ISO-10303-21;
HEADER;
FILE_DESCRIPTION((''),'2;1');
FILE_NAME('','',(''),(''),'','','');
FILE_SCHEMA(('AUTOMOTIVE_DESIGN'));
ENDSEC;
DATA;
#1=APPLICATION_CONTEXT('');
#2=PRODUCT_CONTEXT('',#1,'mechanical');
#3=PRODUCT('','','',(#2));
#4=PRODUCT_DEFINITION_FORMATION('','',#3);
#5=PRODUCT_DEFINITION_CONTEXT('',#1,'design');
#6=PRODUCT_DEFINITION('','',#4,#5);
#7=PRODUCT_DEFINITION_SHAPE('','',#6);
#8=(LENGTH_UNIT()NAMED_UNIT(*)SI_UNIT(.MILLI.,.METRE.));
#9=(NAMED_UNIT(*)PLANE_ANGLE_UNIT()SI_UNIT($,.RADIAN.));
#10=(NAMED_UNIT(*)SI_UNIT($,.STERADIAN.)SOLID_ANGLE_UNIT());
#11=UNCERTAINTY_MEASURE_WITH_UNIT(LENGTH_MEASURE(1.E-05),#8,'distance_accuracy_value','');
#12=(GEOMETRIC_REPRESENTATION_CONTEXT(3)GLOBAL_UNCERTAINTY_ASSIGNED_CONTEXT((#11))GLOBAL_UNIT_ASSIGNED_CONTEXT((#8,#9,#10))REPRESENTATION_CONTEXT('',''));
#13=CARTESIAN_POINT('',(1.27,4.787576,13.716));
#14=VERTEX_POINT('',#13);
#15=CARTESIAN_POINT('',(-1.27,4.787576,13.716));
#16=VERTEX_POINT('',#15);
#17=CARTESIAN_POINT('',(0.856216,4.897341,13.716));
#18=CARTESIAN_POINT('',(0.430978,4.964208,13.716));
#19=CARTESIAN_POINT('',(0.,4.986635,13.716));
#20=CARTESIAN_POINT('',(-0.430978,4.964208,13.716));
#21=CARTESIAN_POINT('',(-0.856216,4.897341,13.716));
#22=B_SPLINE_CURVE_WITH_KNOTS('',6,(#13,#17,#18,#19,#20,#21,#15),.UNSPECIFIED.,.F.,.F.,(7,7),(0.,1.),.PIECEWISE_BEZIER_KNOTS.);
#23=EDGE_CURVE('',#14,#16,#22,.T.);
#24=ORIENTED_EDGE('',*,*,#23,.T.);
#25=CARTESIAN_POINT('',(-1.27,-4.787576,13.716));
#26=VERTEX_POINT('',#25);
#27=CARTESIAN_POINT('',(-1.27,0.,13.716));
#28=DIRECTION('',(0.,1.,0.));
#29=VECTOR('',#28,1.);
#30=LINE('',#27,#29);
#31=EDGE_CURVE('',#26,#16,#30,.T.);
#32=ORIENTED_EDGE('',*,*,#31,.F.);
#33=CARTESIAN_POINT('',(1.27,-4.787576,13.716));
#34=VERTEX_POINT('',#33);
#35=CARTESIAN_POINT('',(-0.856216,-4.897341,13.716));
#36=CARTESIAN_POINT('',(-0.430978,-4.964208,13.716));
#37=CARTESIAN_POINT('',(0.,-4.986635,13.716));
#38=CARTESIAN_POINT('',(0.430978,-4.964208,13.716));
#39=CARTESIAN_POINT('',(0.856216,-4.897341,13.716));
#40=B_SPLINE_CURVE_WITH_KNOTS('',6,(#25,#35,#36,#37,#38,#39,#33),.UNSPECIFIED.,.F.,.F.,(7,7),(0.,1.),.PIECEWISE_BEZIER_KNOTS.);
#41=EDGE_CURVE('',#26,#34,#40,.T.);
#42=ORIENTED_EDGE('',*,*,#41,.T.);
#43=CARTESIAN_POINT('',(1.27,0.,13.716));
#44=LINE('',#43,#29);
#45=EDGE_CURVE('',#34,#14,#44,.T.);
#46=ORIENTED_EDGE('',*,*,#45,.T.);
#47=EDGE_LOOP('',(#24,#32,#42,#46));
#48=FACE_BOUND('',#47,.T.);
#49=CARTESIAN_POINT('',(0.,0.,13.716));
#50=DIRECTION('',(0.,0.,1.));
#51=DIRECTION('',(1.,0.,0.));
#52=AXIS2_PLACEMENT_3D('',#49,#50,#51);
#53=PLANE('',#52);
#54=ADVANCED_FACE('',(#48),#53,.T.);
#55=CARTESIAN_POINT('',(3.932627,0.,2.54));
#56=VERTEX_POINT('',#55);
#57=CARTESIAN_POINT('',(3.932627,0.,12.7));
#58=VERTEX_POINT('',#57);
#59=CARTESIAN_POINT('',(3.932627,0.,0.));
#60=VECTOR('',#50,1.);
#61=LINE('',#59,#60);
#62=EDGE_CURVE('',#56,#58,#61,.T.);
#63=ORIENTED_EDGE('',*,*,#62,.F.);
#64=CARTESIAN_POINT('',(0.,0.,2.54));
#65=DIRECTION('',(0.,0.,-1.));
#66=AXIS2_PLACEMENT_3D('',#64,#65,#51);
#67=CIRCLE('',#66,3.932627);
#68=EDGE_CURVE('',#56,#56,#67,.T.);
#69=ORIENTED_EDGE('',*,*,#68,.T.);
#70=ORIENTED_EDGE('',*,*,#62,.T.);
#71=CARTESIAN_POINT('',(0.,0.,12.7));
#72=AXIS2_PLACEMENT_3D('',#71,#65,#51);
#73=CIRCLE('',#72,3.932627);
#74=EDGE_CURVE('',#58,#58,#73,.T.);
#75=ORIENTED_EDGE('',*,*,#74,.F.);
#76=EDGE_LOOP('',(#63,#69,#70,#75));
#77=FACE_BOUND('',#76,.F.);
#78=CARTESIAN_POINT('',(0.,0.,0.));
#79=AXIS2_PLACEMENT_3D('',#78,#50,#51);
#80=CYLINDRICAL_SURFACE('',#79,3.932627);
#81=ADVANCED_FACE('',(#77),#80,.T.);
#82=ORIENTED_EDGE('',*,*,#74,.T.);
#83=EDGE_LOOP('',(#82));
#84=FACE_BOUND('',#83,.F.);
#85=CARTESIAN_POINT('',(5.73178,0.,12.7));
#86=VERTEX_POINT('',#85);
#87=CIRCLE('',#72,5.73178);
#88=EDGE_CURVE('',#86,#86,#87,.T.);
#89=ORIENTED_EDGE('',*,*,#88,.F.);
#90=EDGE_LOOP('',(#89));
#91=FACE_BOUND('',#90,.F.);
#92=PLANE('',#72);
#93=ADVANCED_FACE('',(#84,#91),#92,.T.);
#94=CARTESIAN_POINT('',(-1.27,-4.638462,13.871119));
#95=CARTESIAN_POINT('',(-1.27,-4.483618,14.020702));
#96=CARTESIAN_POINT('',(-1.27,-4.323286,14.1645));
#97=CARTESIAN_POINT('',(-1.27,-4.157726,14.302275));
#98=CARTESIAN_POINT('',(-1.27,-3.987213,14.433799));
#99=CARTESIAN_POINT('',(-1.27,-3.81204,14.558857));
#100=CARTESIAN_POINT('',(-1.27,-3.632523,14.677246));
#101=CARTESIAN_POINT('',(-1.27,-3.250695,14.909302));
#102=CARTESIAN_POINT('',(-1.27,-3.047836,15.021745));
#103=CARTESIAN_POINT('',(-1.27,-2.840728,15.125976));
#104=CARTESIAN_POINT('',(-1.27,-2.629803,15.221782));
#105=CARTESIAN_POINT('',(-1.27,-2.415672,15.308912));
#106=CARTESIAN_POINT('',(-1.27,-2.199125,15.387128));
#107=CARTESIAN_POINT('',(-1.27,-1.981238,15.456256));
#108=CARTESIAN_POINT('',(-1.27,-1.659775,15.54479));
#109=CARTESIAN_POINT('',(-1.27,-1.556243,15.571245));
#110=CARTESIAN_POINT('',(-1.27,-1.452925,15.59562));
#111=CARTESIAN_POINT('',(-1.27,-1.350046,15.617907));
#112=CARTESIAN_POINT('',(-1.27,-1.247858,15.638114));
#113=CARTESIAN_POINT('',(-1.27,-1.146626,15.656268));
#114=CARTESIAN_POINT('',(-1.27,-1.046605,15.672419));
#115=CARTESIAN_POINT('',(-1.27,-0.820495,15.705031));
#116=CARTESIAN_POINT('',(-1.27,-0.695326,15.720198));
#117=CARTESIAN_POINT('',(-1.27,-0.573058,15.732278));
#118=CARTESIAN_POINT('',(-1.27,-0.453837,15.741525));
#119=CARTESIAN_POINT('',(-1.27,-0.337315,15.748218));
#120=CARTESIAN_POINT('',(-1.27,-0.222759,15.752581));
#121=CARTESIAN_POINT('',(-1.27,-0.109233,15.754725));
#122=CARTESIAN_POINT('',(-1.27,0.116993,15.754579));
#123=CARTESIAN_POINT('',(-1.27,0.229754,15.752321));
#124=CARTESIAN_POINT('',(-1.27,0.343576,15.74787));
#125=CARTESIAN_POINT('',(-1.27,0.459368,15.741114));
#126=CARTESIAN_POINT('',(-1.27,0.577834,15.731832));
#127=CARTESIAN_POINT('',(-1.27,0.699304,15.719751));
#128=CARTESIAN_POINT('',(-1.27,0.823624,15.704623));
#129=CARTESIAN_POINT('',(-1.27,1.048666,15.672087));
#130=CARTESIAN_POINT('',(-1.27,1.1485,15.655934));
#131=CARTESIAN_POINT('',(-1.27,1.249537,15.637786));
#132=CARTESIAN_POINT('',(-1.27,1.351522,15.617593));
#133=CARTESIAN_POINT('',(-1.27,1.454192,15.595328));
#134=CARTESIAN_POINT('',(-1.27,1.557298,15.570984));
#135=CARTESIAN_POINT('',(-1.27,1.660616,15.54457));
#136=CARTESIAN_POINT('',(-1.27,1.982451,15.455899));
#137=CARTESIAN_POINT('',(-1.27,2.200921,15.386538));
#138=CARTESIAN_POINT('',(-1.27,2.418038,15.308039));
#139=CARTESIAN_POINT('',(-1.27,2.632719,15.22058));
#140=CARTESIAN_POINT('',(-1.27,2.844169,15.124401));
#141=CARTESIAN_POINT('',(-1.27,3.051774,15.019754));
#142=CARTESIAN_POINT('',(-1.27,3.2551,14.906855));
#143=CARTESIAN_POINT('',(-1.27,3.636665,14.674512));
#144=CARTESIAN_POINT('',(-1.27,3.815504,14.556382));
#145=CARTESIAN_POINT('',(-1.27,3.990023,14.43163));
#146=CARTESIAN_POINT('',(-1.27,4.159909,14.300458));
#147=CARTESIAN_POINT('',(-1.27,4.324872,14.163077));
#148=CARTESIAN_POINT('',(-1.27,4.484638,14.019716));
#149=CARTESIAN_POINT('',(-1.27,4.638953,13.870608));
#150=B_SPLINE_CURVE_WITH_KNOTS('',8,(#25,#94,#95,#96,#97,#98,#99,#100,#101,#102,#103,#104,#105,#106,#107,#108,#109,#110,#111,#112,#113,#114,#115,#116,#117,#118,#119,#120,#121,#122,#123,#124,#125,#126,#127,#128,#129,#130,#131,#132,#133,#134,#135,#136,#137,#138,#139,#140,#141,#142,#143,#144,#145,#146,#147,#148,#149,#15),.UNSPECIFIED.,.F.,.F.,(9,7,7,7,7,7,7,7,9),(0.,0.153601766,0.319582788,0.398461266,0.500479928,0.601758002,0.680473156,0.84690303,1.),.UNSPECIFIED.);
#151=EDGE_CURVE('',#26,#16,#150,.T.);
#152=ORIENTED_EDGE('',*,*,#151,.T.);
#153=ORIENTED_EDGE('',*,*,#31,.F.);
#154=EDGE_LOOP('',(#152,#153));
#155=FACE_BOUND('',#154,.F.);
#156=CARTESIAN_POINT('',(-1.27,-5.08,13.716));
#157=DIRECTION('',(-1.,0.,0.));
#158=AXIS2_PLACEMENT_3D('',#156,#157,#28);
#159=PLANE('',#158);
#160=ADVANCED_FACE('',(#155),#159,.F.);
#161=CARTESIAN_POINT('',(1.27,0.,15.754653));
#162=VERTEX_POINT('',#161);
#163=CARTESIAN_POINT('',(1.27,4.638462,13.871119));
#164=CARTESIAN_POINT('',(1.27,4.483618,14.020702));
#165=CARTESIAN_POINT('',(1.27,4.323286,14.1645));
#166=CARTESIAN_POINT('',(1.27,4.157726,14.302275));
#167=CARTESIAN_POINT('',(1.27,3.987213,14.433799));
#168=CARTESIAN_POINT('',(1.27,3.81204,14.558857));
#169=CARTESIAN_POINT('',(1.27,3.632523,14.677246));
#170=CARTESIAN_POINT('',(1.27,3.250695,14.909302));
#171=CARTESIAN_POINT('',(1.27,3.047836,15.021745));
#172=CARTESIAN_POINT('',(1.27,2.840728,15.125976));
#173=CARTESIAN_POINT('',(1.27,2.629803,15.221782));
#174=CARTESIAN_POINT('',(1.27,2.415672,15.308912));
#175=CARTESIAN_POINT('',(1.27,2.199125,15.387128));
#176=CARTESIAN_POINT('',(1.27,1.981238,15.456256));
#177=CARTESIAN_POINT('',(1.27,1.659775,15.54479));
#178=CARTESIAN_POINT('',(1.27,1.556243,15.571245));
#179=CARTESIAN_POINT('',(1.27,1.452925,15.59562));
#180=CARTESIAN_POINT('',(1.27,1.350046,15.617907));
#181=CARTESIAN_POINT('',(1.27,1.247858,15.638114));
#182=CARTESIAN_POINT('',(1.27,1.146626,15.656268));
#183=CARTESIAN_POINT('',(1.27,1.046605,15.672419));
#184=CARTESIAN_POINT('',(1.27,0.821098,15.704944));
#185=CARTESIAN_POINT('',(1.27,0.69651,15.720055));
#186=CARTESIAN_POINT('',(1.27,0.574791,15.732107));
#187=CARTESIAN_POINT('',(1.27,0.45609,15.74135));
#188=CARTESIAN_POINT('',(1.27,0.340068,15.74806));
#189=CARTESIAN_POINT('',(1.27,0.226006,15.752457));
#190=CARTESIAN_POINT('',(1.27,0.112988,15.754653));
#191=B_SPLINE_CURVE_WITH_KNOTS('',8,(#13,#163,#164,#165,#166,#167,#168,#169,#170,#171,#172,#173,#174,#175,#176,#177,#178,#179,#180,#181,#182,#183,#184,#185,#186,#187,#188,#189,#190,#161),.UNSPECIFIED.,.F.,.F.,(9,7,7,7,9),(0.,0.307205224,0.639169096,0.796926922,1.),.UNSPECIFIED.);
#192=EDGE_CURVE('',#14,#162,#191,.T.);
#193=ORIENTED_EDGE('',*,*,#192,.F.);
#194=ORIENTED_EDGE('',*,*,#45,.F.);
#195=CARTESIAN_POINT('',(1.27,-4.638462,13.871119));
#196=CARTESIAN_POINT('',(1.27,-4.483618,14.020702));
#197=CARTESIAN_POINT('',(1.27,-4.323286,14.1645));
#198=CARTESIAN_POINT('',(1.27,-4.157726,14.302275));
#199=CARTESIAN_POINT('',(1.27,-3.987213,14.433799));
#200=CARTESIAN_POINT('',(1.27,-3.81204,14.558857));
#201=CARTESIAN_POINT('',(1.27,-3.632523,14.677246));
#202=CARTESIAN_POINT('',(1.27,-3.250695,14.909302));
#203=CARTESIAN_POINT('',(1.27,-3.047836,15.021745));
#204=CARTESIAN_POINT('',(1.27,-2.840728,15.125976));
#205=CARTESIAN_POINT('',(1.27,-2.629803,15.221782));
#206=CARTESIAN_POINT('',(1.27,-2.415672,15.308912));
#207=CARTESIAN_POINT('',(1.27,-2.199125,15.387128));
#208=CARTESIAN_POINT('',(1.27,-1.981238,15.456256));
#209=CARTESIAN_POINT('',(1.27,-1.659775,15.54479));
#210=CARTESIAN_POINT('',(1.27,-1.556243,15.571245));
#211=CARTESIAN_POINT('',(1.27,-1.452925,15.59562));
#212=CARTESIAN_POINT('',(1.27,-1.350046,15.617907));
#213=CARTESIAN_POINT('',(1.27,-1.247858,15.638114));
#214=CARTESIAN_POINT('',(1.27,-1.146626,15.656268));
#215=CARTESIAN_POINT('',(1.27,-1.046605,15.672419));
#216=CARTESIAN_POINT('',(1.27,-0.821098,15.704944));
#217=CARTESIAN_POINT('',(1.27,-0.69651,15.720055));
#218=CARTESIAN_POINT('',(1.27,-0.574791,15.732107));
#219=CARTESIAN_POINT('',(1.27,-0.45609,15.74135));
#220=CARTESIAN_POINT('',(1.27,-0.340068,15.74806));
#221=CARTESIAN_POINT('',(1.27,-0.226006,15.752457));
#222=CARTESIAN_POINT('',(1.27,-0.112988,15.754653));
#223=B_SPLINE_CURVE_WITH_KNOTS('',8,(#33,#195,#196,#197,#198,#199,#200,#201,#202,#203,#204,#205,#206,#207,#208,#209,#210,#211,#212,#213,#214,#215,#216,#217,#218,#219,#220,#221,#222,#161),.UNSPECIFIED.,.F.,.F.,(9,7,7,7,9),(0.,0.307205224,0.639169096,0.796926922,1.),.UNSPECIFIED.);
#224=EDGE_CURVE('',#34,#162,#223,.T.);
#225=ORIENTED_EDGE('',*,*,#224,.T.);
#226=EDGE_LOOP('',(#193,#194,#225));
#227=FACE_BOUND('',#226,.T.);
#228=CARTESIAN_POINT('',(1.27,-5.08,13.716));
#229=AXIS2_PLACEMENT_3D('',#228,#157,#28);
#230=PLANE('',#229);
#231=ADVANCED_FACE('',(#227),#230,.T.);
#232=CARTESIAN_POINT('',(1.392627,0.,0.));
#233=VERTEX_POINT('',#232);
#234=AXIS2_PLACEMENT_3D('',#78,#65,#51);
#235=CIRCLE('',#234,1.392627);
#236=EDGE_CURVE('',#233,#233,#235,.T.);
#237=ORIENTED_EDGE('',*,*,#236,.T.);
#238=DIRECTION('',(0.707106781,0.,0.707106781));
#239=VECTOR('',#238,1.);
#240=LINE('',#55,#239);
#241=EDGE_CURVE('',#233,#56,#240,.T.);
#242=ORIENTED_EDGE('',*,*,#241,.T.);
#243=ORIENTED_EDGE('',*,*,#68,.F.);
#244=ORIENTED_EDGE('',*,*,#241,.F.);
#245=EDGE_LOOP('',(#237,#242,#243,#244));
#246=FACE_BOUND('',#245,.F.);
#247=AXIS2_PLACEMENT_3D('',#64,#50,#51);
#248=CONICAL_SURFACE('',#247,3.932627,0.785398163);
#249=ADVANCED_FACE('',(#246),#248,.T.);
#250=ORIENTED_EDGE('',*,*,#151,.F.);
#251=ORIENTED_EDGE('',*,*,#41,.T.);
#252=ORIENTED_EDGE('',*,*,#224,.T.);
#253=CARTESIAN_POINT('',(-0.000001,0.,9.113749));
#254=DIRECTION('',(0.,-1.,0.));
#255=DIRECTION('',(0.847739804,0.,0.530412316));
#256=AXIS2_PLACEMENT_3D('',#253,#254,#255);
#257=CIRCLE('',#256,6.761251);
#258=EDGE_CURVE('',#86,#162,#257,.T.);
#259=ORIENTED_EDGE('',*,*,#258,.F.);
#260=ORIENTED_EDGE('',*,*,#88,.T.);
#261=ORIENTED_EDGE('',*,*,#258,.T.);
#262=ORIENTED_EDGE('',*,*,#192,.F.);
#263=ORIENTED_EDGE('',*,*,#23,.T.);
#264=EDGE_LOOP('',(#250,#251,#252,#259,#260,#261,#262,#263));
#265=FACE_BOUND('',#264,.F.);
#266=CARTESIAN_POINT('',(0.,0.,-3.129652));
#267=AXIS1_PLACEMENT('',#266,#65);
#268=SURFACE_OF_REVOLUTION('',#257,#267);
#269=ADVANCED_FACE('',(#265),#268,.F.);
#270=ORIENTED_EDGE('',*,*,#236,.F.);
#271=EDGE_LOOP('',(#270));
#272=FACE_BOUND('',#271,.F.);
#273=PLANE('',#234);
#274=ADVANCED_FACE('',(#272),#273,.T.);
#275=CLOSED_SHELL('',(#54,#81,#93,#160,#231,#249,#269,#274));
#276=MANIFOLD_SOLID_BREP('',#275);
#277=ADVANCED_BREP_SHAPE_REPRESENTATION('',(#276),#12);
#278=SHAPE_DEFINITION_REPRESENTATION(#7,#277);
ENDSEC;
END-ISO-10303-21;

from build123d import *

# Parameters (mm, degrees)
F3_W     = 2.54
F3_H     = 10.16
F4_DEPTH = 25.4
F5_SIZE  = 2.54


with BuildPart() as f1:
    # F0 (on Front) → F1 (revolve)
    with BuildSketch(Plane.XZ):
        with BuildLine():
            Line((0, 9.113751), (0, 0))
            Line((0, 0), (3.932627, 0))
            Line((3.932627, 0), (3.932627, 12.7))
            Line((3.932627, 12.7), (5.73178, 12.7))
            ThreePointArc((5.73178, 12.7), (3.276199, 15.028225), (0, 15.875))
            Line((0, 15.875), (0, 9.113751))
        make_face()
    revolve(axis=Axis((0, 0, -3.129652), (0, 0, -1)))

    # F3 (on offset) → F4 (cut)
    with BuildSketch(Plane.XY.offset(13.716)):
        Rectangle(F3_W, F3_H)
    extrude(amount=F4_DEPTH, mode=Mode.SUBTRACT)

    # F5
    f5_edges = [f1.edges().sort_by_distance(p)[0] for p in [
        (-3.932627, 0, 0),
    ]]
    chamfer(f5_edges, length=F5_SIZE)


solid = f1.part
